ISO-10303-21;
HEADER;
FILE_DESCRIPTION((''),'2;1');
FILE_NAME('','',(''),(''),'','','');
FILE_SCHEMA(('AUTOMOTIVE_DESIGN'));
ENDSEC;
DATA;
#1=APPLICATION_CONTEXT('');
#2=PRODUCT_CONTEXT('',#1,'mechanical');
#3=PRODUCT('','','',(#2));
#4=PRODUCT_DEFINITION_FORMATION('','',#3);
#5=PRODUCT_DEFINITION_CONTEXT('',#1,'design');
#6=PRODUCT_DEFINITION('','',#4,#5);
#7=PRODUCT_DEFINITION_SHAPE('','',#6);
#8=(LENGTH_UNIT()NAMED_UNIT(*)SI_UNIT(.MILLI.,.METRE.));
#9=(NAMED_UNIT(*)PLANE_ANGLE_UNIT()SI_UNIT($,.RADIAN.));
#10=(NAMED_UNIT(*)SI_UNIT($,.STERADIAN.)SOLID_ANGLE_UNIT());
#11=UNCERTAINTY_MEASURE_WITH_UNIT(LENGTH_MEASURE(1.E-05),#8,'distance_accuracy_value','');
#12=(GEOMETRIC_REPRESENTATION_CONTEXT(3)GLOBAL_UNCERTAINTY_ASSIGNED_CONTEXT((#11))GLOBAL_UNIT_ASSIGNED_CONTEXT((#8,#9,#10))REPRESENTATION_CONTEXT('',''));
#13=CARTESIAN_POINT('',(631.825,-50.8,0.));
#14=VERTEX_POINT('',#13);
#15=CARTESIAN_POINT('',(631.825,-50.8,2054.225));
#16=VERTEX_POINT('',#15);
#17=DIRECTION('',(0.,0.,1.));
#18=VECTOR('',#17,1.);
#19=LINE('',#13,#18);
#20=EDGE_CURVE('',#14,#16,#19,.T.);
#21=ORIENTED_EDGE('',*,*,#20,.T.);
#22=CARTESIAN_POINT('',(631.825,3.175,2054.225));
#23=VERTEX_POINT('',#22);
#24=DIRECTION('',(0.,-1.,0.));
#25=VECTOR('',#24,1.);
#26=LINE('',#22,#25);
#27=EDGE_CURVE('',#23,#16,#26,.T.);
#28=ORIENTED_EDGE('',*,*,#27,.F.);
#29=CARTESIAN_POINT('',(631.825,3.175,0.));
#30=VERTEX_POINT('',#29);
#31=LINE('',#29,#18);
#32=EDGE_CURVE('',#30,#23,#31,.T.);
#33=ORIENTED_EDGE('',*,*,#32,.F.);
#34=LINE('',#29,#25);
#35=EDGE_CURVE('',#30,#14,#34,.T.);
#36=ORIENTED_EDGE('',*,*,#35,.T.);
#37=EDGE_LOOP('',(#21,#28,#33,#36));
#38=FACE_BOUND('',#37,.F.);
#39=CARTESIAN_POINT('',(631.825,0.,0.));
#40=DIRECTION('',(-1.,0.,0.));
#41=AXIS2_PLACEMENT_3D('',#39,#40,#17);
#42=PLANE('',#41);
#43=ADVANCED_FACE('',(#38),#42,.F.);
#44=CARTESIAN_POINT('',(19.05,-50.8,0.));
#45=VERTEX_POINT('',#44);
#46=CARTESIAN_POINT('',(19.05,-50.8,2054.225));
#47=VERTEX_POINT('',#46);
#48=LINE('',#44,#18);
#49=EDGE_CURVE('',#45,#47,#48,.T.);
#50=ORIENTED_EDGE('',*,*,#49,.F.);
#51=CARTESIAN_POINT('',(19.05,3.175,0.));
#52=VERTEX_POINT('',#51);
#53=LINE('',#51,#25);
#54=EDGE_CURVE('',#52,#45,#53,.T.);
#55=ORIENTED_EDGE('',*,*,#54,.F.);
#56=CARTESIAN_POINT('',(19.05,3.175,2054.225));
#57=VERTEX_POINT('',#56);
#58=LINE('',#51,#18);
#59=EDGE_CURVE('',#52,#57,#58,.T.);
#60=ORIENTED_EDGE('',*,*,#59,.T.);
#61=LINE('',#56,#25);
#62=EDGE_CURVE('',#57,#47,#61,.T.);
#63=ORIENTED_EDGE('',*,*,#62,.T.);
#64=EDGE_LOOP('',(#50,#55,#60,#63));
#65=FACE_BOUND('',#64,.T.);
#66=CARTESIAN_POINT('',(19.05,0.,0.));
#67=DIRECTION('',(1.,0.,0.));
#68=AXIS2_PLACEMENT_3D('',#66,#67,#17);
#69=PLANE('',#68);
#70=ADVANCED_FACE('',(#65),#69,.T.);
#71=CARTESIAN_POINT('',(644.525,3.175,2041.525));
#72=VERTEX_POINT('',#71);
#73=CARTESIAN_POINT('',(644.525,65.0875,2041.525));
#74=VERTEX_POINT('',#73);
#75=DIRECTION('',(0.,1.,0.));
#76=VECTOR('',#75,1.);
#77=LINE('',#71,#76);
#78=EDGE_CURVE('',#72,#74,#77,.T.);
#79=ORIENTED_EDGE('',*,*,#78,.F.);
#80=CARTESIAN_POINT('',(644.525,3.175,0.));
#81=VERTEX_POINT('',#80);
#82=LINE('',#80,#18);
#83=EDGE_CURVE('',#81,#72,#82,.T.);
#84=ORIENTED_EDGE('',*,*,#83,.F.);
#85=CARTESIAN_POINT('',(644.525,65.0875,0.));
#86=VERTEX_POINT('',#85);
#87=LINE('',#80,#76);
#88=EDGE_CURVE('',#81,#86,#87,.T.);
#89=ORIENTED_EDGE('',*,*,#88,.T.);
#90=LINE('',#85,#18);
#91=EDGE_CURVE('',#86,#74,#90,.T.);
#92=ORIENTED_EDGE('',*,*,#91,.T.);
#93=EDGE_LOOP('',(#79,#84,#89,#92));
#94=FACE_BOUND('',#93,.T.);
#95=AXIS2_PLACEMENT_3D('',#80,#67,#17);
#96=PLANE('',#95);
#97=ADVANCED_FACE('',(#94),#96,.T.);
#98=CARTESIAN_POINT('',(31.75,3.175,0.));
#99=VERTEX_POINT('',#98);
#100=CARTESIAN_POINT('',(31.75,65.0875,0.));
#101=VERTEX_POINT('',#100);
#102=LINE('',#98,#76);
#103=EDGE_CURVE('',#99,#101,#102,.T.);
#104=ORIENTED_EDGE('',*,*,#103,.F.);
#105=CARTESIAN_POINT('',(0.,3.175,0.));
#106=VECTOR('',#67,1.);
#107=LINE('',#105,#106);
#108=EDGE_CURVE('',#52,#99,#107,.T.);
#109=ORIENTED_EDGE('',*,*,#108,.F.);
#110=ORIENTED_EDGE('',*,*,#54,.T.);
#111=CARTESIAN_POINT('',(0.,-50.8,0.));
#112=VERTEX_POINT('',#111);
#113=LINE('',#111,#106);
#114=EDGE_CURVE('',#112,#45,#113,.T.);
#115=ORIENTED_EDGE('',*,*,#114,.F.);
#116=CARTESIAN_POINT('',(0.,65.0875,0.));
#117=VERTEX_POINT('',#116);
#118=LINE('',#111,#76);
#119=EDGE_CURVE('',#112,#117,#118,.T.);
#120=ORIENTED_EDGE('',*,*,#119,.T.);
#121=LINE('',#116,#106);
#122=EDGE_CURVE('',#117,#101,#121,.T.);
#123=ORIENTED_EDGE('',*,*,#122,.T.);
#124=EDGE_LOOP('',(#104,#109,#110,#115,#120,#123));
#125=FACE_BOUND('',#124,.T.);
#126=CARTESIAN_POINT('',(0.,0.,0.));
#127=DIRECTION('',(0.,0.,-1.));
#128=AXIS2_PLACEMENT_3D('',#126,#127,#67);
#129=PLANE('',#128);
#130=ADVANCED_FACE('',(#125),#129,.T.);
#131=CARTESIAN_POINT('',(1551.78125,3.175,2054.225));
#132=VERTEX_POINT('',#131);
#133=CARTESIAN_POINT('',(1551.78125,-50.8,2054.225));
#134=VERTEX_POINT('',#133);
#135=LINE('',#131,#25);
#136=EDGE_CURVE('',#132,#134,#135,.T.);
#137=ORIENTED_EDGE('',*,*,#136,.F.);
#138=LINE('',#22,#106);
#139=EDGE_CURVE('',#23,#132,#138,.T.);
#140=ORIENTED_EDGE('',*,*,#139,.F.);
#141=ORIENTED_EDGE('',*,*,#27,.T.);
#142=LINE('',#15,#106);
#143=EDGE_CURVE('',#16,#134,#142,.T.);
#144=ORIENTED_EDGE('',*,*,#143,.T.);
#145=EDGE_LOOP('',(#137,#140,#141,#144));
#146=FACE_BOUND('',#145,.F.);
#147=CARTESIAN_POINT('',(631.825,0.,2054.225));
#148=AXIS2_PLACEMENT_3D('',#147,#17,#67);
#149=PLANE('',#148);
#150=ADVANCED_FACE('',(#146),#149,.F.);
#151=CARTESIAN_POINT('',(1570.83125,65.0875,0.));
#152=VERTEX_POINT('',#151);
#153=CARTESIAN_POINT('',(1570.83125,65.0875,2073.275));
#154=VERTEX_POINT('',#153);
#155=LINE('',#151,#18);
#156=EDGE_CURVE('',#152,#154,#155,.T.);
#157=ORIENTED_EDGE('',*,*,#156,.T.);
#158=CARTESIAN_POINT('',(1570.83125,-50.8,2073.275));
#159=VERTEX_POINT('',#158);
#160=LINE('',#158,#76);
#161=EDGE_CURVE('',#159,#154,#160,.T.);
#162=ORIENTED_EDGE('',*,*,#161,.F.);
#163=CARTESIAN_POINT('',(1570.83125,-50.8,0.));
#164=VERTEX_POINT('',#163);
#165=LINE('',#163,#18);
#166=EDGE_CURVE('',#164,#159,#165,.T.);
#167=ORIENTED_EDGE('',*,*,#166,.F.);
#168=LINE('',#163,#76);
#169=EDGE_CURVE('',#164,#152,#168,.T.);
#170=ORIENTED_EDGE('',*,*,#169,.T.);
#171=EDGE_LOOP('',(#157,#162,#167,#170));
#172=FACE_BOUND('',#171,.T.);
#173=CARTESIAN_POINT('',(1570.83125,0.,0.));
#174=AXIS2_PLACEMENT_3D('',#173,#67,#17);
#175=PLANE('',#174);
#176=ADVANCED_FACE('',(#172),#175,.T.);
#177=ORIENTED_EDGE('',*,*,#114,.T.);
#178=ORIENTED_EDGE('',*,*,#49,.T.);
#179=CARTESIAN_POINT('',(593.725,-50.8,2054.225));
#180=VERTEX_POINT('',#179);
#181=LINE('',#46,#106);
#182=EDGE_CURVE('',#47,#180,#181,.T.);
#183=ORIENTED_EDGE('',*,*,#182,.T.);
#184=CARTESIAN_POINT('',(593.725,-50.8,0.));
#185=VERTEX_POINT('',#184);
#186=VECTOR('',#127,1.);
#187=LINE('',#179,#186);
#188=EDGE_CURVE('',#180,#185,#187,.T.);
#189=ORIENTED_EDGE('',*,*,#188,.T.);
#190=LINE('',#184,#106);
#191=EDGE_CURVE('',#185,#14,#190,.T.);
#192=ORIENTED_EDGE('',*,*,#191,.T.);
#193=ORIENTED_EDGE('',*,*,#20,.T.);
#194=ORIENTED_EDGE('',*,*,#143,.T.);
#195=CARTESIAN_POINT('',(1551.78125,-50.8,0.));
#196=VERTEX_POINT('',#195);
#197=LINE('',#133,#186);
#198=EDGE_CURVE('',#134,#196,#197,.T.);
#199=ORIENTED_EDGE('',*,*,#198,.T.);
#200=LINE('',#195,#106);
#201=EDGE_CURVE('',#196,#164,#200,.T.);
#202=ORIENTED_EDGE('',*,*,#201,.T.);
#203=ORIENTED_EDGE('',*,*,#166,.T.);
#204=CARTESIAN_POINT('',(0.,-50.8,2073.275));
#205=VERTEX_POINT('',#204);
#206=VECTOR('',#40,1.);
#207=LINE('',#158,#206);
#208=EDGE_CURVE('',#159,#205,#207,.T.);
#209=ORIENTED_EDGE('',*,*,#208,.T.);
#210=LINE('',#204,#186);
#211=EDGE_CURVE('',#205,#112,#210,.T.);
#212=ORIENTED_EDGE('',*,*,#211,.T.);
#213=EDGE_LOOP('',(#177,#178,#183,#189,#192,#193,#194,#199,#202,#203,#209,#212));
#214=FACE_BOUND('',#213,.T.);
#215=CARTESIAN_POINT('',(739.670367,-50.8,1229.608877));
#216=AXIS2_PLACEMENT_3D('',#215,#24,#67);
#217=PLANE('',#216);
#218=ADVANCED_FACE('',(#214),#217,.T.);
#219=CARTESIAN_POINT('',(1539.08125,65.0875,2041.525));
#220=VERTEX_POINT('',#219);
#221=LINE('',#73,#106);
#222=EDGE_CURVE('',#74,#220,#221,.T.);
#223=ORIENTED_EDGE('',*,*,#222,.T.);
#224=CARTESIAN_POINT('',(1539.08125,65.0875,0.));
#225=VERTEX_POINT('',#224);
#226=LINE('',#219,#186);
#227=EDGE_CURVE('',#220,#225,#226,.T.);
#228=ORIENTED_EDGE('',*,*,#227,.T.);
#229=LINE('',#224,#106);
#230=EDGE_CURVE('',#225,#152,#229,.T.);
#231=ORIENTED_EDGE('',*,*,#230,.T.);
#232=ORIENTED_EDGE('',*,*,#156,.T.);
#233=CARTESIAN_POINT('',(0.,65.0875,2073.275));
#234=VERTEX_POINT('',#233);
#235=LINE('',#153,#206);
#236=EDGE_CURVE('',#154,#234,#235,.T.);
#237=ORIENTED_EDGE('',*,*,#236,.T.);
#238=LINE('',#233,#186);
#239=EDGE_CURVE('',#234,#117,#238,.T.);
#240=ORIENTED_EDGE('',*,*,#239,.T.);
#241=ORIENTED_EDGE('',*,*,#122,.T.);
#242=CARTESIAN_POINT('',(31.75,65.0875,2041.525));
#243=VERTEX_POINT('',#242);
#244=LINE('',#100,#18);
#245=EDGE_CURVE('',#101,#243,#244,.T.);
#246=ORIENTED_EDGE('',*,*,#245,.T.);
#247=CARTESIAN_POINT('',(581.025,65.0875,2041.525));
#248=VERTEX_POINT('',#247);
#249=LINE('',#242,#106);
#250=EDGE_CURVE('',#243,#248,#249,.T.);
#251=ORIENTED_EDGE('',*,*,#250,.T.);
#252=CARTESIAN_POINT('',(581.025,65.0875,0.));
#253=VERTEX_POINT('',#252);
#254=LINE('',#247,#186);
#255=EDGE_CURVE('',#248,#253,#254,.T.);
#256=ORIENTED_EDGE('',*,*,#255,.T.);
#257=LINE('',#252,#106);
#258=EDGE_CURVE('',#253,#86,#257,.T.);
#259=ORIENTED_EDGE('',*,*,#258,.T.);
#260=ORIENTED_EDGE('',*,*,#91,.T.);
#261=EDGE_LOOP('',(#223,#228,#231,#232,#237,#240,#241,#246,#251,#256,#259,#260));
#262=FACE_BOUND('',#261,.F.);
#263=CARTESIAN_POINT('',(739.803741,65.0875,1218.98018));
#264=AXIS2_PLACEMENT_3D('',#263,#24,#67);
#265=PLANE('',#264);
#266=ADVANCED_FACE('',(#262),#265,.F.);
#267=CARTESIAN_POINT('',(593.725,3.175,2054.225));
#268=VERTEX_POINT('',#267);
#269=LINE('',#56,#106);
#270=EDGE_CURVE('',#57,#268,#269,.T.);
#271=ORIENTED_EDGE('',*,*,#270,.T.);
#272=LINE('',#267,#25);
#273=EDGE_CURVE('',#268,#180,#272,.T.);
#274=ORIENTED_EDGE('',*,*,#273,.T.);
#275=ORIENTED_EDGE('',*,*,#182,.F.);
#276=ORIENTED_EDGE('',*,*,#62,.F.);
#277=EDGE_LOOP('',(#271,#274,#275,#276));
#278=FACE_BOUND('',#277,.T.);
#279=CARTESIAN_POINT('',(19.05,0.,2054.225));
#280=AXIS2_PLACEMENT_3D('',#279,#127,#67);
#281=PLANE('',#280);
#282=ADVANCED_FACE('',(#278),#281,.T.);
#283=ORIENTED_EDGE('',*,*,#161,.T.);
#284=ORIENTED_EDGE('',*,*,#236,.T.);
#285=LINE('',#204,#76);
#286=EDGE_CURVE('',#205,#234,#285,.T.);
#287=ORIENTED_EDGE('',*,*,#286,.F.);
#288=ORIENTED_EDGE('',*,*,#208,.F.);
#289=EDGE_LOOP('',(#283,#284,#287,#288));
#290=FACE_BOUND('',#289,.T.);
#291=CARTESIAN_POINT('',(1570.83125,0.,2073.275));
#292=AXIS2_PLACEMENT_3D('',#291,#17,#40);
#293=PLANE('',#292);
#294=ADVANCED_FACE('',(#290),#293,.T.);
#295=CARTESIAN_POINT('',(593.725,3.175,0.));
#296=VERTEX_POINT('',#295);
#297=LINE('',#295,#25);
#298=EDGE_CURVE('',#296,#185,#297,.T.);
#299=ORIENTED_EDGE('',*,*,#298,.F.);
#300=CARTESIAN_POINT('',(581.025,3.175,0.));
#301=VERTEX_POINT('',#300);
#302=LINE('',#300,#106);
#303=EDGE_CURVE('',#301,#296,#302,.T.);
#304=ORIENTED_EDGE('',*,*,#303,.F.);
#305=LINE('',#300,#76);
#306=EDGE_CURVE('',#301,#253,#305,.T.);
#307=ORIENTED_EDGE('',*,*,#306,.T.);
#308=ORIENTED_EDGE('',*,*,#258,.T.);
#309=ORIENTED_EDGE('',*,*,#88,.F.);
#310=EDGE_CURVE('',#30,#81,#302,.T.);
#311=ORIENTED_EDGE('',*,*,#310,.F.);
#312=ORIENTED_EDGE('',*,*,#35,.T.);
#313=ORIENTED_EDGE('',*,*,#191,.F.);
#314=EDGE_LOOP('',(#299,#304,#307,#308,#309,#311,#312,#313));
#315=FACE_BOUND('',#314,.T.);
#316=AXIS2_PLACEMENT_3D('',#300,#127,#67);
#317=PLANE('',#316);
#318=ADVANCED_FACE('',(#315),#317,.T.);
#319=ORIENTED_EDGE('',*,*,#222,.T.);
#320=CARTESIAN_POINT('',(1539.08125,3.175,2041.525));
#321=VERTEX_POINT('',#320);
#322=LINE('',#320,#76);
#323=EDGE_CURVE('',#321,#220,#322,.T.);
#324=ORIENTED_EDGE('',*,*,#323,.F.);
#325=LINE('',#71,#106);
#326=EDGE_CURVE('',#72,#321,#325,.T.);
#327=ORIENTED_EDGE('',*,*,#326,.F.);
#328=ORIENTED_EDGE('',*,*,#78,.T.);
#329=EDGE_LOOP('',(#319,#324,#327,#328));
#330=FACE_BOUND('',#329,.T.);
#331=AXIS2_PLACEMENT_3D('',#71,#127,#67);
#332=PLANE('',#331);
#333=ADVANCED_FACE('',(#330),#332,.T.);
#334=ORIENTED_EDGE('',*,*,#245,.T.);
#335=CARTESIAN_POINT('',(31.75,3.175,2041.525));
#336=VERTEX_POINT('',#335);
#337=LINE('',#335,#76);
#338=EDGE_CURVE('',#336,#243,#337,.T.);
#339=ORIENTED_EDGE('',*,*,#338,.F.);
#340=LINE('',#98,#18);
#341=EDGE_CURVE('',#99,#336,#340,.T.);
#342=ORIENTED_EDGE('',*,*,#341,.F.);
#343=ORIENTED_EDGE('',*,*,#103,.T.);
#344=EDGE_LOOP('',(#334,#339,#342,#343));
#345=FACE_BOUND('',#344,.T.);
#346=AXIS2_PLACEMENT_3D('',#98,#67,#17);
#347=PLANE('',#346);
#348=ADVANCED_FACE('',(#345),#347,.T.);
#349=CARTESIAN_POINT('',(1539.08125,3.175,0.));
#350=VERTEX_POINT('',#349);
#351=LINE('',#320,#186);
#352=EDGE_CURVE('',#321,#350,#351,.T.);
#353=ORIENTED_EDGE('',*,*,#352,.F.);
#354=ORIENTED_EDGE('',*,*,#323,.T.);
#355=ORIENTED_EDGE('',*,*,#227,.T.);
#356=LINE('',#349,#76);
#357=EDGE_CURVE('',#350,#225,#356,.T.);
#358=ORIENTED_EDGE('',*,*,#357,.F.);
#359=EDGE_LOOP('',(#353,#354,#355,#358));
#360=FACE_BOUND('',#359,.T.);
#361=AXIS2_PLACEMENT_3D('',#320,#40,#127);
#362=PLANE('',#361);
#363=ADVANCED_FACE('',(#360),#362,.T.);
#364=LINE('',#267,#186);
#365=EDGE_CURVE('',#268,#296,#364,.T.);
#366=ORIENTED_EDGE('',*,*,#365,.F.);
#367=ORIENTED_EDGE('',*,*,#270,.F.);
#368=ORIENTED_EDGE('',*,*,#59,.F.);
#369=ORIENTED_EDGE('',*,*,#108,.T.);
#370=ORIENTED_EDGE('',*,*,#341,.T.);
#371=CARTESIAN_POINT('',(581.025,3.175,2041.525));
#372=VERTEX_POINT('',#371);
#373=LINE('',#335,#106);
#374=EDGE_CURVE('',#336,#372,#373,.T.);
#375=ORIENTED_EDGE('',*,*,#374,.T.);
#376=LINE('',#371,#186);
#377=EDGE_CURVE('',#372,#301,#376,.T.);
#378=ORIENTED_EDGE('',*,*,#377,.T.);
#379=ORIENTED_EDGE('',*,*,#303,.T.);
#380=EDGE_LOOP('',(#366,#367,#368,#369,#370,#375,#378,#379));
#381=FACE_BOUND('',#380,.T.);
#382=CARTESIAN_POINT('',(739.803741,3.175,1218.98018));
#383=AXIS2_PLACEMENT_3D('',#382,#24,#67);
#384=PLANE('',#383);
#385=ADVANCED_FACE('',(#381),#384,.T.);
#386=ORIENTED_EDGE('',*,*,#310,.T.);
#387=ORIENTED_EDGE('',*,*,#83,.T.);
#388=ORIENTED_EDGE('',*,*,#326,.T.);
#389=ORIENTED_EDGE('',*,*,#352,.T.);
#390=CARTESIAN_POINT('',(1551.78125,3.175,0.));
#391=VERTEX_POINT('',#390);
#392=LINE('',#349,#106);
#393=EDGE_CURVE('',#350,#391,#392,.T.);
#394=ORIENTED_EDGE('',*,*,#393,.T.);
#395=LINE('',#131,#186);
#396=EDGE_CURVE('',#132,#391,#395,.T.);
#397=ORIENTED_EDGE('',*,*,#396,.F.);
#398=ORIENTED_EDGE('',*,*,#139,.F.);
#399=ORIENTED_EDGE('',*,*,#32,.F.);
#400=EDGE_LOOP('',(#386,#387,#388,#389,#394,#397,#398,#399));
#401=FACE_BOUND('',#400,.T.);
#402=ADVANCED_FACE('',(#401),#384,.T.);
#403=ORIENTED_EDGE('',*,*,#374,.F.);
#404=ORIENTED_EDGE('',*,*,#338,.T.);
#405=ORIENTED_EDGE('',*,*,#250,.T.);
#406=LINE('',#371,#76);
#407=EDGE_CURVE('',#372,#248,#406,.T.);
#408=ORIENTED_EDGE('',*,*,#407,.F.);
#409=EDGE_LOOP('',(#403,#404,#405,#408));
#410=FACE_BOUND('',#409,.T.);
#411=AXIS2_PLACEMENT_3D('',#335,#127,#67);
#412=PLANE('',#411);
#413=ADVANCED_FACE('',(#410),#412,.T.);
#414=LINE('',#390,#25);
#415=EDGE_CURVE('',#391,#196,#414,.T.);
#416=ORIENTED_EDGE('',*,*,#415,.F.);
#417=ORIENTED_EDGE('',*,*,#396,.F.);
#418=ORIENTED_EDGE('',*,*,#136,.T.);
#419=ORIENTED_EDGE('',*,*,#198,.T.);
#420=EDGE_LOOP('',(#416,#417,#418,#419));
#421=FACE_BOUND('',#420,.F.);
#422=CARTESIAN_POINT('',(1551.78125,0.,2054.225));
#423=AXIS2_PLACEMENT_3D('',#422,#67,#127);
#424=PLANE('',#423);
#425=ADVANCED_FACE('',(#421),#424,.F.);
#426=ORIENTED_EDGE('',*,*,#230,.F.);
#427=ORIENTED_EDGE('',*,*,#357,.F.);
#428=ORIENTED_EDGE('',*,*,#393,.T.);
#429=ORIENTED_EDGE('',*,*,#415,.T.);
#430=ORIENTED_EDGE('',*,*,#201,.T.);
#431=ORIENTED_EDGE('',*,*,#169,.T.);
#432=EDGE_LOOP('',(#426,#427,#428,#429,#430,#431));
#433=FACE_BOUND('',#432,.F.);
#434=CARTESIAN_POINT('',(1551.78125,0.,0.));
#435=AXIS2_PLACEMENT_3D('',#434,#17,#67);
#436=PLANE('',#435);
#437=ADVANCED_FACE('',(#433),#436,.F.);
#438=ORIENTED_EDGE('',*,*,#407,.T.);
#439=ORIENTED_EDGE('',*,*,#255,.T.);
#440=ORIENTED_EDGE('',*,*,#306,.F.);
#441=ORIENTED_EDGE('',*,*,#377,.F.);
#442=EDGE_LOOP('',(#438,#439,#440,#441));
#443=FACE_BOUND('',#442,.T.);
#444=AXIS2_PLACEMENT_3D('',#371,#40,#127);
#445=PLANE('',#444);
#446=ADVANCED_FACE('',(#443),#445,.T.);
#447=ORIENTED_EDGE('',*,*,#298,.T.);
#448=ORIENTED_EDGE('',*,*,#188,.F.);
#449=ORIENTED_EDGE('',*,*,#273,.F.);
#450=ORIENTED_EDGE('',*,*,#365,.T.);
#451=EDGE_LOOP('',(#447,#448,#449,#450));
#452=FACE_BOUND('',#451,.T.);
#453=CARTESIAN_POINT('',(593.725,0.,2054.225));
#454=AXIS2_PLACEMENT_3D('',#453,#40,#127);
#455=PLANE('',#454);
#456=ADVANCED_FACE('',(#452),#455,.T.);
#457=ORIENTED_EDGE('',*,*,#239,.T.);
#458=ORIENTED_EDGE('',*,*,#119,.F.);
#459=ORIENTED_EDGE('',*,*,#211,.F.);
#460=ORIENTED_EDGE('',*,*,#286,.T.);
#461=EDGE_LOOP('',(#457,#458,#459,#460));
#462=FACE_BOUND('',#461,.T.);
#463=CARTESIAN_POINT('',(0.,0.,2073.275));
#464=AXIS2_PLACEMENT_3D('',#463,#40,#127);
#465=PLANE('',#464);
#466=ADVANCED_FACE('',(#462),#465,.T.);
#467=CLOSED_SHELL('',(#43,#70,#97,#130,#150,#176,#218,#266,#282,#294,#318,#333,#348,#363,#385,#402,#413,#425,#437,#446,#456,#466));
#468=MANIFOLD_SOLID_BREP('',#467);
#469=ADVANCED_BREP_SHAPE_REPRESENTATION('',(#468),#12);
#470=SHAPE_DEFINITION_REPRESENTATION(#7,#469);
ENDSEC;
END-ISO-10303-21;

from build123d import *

# Parameters (mm, degrees)
F3_DEPTH      = 61.9125
F5_DEPTH      = 50.8
F5_DEPTH_BACK = 3.175


with BuildPart() as f3:
    # F2 (on offset) → F3 (new body)
    with BuildSketch(Plane.XZ.offset(-3.175)):
        Polygon((0, 2054.225), (0, 0), (19.05, 0), (31.75, 0), (31.75, 2041.525), (581.025, 2041.525), (581.025, 0), (593.725, 0), (612.775, 0), (631.825, 0), (644.525, 0), (644.525, 2041.525), (1539.08125, 2041.525), (1539.08125, 0), (1551.78125, 0), (1570.83125, 0), (1570.83125, 2073.275), (0, 2073.275), align=None)
    extrude(amount=-F3_DEPTH)

    # F4 (on Front) → F5 (join, two sides)
    with BuildSketch(Plane.XZ) as f5_sk:
        Polygon((0, 2054.225), (0, 0), (19.05, 0), (19.05, 2041.525), (19.05, 2054.225), (593.725, 2054.225), (593.725, 0), (612.775, 0), (631.825, 0), (631.825, 2054.225), (1551.78125, 2054.225), (1551.78125, 2041.525), (1551.78125, 0), (1570.83125, 0), (1570.83125, 2073.275), (0, 2073.275), align=None)
    extrude(amount=F5_DEPTH)
    extrude(f5_sk.sketch, amount=-F5_DEPTH_BACK)


solid = f3.part
